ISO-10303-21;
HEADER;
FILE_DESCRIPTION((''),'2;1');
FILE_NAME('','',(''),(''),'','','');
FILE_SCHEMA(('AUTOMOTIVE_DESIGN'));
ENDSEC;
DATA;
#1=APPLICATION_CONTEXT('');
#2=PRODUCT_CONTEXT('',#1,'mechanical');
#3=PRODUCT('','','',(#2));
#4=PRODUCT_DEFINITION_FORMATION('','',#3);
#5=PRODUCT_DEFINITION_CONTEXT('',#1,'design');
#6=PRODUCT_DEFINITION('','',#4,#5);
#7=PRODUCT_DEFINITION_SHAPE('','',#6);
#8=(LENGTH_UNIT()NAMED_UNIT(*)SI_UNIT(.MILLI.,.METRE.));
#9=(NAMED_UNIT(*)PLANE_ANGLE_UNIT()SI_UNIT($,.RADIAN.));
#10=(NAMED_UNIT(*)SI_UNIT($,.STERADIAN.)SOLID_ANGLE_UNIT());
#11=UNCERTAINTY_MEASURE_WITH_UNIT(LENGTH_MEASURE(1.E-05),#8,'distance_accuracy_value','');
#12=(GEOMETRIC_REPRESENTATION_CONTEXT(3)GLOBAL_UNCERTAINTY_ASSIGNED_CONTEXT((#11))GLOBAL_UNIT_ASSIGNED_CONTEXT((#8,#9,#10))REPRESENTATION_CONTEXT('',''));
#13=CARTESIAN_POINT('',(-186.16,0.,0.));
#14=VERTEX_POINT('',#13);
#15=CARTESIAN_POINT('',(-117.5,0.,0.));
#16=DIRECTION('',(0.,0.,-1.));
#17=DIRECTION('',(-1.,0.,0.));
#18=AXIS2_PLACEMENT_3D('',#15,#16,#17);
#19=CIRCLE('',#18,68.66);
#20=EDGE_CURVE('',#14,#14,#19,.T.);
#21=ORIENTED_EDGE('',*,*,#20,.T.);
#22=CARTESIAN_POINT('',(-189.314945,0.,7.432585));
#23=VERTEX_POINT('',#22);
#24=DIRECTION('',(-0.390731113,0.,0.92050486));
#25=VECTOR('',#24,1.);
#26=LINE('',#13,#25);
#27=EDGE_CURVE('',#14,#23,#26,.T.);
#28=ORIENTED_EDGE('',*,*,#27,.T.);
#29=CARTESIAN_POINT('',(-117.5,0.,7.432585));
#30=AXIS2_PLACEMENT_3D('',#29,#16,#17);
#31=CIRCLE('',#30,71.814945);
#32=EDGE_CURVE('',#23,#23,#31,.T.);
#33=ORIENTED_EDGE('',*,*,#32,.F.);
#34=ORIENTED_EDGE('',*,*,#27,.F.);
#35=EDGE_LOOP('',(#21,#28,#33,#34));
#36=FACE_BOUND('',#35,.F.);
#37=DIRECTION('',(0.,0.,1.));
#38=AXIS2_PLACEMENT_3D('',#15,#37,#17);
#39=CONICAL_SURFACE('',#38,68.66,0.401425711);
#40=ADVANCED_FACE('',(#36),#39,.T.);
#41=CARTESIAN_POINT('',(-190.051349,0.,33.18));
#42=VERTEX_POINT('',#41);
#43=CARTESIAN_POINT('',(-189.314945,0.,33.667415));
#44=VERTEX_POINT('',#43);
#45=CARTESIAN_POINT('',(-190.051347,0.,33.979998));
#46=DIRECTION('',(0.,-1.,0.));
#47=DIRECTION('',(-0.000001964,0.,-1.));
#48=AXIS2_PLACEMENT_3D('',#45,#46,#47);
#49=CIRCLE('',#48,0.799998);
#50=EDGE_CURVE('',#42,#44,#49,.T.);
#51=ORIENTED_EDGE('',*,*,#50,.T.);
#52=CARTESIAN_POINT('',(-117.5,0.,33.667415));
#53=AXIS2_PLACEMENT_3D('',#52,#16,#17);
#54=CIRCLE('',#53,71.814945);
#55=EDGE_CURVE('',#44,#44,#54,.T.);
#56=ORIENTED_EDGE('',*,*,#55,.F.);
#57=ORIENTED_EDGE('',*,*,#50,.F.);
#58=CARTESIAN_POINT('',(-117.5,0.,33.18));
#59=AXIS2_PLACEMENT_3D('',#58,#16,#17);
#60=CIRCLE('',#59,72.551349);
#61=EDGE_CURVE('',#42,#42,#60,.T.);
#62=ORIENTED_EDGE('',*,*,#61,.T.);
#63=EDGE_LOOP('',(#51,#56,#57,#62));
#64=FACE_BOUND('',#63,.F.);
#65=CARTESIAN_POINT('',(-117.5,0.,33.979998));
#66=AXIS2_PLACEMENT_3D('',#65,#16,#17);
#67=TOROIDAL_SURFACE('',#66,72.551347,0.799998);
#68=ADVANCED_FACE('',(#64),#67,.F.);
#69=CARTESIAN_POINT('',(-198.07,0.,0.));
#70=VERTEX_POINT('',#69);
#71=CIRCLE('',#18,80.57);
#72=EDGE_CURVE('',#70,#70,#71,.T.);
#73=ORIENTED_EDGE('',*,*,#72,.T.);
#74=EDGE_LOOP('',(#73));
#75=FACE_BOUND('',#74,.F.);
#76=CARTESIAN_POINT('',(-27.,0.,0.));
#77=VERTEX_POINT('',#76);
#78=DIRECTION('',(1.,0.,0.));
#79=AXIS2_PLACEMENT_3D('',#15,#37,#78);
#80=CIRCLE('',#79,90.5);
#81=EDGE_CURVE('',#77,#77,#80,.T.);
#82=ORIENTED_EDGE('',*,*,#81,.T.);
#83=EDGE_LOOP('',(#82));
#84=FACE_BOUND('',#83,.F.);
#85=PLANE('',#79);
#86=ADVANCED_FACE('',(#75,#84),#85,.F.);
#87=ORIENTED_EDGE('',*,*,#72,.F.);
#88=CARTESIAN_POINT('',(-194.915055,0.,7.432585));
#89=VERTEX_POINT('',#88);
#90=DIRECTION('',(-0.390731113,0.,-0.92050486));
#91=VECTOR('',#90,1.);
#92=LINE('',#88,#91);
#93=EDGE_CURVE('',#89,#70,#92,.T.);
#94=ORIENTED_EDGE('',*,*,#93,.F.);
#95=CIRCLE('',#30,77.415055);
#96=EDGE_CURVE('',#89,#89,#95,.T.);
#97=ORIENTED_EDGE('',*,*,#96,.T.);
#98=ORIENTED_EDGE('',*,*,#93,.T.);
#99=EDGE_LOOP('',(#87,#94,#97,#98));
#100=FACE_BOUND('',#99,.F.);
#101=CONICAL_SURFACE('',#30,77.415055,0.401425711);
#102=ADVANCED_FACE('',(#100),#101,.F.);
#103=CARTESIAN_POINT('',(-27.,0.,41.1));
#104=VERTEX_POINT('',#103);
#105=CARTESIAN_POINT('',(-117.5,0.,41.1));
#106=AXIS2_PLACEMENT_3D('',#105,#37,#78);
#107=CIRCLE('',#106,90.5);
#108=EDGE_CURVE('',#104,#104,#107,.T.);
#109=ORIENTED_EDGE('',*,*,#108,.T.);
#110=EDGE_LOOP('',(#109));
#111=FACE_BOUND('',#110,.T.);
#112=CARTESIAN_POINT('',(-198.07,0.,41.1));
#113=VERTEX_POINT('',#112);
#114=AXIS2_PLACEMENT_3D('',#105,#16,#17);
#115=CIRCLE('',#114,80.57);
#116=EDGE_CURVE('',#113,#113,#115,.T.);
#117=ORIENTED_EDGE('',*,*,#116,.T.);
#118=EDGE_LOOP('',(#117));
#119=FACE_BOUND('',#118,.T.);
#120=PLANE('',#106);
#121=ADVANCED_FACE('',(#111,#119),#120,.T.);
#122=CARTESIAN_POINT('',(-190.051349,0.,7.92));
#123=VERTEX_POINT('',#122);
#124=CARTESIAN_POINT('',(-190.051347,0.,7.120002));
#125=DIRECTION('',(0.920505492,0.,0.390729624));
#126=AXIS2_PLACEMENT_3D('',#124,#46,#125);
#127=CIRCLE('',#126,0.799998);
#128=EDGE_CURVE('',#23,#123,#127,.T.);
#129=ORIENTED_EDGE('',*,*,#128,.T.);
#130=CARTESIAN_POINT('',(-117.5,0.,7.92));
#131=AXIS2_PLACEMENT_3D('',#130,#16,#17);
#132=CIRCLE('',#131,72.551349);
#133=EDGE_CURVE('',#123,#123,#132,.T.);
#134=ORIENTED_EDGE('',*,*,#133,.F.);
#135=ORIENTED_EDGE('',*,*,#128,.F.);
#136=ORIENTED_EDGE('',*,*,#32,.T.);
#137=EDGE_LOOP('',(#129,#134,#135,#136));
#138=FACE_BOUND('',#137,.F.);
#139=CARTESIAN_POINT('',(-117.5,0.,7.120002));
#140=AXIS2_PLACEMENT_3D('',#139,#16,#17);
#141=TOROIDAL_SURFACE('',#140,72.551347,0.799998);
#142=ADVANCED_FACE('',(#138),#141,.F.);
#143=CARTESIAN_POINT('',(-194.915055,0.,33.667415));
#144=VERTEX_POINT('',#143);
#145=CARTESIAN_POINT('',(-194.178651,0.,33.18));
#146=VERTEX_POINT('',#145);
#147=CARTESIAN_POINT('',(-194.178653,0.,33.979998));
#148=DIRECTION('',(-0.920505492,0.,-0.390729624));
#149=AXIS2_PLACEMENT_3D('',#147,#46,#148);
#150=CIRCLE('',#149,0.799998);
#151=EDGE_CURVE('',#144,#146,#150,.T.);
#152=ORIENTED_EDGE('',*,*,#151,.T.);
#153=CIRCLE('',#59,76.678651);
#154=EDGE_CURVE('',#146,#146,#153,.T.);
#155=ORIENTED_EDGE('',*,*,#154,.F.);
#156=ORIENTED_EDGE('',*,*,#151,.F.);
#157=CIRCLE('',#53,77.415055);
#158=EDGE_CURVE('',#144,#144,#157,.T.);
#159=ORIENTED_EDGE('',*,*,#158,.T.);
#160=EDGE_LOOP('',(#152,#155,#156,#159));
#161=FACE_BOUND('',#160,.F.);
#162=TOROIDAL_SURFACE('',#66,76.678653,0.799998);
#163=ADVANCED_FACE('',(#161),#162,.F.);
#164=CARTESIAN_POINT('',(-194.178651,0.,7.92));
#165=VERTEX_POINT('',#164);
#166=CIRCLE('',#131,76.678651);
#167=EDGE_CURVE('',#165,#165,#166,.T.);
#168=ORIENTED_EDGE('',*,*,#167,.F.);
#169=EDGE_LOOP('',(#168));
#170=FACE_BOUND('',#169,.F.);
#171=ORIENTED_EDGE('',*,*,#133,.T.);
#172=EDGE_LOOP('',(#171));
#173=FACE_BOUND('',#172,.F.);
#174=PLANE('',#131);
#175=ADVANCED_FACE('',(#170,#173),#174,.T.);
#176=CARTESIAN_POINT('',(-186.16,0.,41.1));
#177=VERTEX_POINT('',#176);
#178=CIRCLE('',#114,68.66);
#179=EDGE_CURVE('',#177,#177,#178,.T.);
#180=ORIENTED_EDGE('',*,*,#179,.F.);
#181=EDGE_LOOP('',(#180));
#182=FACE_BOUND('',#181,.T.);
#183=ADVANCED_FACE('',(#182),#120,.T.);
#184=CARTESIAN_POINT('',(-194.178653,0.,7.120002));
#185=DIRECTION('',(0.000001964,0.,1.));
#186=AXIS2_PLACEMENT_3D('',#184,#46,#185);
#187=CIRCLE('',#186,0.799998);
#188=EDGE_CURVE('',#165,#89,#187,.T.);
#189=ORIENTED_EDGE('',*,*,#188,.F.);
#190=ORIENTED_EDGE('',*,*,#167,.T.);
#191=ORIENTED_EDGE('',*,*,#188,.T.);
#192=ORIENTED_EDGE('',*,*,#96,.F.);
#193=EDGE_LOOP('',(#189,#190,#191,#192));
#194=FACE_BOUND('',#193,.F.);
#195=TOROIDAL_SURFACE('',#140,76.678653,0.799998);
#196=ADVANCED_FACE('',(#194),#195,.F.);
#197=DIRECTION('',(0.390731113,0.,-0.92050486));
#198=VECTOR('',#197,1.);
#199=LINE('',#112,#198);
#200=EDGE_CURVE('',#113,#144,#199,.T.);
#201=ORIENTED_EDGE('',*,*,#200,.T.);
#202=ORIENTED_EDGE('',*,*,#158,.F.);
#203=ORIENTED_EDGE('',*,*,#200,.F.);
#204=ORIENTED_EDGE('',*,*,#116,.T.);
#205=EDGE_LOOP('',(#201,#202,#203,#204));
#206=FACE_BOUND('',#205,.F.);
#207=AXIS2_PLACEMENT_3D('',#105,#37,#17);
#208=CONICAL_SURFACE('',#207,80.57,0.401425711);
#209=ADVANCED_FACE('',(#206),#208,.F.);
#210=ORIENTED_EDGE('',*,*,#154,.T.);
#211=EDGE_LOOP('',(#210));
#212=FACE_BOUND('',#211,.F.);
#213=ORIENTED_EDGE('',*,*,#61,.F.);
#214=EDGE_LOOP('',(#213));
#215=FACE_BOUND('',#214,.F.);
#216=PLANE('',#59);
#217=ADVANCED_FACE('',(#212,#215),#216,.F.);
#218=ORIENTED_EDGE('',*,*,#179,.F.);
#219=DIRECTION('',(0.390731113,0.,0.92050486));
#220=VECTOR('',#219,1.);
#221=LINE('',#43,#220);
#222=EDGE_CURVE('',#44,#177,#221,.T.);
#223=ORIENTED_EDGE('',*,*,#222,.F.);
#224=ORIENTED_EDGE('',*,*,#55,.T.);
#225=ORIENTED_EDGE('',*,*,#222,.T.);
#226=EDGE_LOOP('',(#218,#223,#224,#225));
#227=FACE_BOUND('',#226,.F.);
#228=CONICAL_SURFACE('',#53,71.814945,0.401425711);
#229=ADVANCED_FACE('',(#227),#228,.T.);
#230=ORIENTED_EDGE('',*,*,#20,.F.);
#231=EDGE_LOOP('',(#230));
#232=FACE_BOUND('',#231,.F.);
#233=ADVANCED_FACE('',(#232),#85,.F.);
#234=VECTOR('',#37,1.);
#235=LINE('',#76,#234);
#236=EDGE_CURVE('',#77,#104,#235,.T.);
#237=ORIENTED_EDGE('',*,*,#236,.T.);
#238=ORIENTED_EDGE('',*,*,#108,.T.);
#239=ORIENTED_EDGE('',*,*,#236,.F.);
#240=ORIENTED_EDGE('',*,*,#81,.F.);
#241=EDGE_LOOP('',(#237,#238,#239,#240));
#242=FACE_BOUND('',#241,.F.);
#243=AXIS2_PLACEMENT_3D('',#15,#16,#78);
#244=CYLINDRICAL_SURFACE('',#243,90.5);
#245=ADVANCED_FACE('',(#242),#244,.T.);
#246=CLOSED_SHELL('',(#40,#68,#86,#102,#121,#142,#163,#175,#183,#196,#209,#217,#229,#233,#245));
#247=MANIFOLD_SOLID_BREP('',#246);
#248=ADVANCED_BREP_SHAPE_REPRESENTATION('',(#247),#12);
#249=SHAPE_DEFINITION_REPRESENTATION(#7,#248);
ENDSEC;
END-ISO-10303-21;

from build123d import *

# Parameters (mm, degrees)
F0_R     = 90.5
F1_DEPTH = 41.1


with BuildPart() as f1:
    # F0 (on Top) → F1 (new body)
    with BuildSketch(Plane.XY):
        with Locations((-117.5, 0)):
            Circle(F0_R)
    extrude(amount=F1_DEPTH)

    # F2 (on Front) → F3 (revolve, cut)
    with BuildSketch(Plane.XZ):
        with BuildLine():
            Line((-189.314945, 33.667415), (-186.16, 41.1))
            Line((-186.16, 41.1), (-198.07, 41.1))
            Line((-198.07, 41.1), (-194.915055, 33.667415))
            ThreePointArc((-194.915055, 33.667415), (-194.620201, 33.312891), (-194.178651, 33.18))
            Line((-194.178651, 33.18), (-190.051349, 33.18))
            ThreePointArc((-190.051349, 33.18), (-189.609799, 33.312891), (-189.314945, 33.667415))
        make_face()
        with BuildLine():
            ThreePointArc((-189.314945, 7.432585), (-189.609799, 7.787109), (-190.051349, 7.92))
            Line((-190.051349, 7.92), (-194.178651, 7.92))
            ThreePointArc((-194.178651, 7.92), (-194.620201, 7.787109), (-194.915055, 7.432585))
            Line((-194.915055, 7.432585), (-198.07, 0))
            Line((-198.07, 0), (-186.16, 0))
            Line((-186.16, 0), (-189.314945, 7.432585))
        make_face()
    revolve(axis=Axis((-117.5, 0, 20.55), (0, 0, -1)), mode=Mode.SUBTRACT)


solid = f1.part
